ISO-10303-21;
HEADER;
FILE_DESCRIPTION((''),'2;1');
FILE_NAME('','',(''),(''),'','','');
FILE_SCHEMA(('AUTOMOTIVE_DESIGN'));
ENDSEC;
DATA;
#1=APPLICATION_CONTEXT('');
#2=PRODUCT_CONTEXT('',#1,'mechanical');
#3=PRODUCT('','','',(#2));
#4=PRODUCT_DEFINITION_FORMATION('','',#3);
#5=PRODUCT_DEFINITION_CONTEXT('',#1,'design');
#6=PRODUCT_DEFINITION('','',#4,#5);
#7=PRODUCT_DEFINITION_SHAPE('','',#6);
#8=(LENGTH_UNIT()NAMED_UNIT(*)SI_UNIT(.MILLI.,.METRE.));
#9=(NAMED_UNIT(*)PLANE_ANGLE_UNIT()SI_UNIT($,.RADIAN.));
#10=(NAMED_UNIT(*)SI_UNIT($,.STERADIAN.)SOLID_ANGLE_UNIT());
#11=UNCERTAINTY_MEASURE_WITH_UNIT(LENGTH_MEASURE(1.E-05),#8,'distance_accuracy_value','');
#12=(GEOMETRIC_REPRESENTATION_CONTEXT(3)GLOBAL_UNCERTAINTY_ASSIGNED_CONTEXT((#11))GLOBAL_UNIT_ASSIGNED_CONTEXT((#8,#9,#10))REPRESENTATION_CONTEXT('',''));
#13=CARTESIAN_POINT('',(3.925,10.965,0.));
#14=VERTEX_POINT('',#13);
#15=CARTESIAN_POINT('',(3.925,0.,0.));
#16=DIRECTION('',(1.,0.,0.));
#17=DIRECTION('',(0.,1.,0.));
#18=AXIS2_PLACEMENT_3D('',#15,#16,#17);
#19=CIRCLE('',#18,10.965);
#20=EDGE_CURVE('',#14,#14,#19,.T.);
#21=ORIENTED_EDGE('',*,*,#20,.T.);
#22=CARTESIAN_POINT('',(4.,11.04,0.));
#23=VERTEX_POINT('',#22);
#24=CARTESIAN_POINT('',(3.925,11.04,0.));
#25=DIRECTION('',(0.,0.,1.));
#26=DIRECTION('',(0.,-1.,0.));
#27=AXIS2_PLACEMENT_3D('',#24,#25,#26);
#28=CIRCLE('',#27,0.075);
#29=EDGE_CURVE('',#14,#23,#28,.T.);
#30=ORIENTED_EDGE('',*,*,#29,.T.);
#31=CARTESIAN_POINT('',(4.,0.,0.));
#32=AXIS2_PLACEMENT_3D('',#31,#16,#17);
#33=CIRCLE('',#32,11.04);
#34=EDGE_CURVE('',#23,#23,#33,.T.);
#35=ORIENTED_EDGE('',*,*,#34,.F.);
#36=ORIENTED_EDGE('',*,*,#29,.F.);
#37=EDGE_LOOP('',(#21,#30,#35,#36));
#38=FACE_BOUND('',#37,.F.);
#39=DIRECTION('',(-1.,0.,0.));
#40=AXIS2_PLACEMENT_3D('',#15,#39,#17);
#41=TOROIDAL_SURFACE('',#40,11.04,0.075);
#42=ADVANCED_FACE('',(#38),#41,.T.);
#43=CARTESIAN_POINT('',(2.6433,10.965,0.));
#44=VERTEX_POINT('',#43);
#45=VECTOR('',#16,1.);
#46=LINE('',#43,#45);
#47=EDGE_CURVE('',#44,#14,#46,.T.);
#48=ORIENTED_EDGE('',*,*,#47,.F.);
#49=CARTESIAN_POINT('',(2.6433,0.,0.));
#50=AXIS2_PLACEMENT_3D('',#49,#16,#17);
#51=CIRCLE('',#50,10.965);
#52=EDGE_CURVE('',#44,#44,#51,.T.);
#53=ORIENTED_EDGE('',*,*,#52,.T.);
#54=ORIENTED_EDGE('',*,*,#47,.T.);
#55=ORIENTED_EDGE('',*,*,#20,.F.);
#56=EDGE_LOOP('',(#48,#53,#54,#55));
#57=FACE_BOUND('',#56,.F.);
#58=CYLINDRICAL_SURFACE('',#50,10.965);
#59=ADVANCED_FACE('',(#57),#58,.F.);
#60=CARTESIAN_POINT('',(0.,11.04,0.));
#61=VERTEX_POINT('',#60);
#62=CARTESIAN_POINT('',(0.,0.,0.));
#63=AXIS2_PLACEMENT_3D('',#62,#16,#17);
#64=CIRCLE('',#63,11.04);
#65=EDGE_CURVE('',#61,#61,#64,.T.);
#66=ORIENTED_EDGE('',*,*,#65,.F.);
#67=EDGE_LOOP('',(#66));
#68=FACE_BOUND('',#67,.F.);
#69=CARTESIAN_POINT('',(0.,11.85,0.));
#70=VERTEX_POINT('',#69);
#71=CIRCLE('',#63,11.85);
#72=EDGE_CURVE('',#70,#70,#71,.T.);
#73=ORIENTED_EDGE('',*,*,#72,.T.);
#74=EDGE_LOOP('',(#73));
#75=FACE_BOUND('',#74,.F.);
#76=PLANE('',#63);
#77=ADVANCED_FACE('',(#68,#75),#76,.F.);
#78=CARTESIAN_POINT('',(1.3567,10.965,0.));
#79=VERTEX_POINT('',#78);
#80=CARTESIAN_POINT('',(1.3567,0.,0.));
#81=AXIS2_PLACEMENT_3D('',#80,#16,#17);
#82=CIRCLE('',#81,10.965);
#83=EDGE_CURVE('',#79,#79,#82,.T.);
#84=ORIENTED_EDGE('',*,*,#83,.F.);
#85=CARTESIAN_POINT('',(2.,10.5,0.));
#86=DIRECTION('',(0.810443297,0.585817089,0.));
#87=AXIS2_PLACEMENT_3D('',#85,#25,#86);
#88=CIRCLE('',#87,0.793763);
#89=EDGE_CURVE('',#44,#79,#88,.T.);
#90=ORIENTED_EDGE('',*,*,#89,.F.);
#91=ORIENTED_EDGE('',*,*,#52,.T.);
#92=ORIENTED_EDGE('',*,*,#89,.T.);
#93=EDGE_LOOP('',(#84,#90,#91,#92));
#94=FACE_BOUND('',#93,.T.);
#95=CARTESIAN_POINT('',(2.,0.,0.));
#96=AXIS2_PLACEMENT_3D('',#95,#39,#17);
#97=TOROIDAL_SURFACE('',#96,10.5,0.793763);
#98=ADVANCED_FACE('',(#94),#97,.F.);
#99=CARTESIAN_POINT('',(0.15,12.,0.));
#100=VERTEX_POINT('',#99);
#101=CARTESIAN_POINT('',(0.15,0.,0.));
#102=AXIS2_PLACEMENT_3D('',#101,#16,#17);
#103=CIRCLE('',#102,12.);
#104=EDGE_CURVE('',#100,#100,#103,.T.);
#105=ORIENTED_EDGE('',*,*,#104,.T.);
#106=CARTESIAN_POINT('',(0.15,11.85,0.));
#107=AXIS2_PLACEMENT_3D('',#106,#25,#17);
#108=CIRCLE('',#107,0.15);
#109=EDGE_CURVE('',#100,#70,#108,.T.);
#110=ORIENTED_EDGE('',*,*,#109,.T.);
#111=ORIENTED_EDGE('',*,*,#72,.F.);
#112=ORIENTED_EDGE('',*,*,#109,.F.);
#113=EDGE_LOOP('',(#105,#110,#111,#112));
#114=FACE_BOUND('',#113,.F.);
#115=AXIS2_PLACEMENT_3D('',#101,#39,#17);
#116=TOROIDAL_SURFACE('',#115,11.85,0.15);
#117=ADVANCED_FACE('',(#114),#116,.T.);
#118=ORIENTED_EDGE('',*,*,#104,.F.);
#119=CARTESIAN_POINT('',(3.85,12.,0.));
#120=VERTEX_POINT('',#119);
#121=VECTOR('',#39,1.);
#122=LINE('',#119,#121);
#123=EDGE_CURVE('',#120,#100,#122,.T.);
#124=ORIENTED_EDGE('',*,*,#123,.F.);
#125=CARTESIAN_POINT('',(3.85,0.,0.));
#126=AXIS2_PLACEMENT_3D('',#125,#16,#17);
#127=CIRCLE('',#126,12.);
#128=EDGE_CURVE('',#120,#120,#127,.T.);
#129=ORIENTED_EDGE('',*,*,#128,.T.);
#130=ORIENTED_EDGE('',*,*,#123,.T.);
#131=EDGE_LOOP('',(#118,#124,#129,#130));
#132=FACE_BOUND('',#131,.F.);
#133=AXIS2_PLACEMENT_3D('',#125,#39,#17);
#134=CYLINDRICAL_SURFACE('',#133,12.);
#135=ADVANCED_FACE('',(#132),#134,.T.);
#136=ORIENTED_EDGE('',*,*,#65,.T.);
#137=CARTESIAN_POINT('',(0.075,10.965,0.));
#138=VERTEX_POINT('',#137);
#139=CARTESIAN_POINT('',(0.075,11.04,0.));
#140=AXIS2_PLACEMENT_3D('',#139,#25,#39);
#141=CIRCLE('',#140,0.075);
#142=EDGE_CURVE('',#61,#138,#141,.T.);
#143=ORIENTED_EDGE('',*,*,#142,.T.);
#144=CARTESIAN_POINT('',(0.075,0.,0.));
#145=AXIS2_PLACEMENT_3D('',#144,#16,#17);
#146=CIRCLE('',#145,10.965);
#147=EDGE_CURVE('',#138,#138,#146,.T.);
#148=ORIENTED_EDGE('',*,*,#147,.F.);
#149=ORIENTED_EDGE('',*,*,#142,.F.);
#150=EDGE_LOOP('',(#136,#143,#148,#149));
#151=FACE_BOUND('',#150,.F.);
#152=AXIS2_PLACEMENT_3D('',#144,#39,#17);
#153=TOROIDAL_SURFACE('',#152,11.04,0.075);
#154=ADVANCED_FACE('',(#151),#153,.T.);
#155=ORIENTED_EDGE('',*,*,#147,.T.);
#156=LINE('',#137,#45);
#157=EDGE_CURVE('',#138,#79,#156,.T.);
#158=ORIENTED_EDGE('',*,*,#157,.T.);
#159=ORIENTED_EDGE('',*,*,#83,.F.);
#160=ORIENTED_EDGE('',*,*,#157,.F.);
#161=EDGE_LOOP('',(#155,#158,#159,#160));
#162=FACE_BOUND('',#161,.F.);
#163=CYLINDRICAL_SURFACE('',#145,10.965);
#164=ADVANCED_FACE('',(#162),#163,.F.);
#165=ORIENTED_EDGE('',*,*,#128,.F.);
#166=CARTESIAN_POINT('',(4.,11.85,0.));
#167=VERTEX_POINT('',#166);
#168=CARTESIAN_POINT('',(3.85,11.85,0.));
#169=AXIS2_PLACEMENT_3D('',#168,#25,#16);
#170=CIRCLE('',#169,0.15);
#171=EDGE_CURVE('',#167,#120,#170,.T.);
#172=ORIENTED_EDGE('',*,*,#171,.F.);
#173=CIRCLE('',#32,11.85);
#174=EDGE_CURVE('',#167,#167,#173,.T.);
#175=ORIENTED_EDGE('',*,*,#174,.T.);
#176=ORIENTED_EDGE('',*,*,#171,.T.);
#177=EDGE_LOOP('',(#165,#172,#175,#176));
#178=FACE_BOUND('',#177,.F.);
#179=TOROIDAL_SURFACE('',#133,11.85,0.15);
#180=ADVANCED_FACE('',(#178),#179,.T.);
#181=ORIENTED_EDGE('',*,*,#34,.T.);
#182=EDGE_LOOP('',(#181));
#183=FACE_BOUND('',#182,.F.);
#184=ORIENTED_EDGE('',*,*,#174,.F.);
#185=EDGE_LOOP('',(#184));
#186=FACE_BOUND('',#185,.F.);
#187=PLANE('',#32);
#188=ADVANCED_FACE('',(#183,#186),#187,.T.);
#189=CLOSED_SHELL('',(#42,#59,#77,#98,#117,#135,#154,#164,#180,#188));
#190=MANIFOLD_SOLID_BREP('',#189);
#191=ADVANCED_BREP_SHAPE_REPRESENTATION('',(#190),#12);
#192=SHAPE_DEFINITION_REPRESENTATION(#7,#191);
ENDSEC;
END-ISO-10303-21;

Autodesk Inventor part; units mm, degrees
sketch "Sketch_1" plane through (0, 0, 0) normal (0, 0, 1) x (1, 0, 0)
  line L0 (4, 0) -> (0, 0)
  line L1 (0, 11.85) -> (0, 11.04)
  arc A0 (0, 11.04) -> (0.075, 10.965) centre (0.075, 11.04) ccw
  line L2 (0.075, 10.965) -> (1.3567, 10.965)
  arc A1 (2.6433, 10.965) -> (1.3567, 10.965) centre (2, 10.5) ccw
  line L3 (2.6433, 10.965) -> (3.925, 10.965)
  arc A2 (3.925, 10.965) -> (4, 11.04) centre (3.925, 11.04) ccw
  line L4 (4, 11.04) -> (4, 11.85)
  arc A3 (4, 11.85) -> (3.85, 12) centre (3.85, 11.85) ccw
  line L5 (3.85, 12) -> (0.15, 12)
  arc A4 (0.15, 12) -> (0, 11.85) centre (0.15, 11.85) ccw
revolve "Revolution1" add sketch "Sketch_1" angle 360 about axis through (4, 0, 0) along (1, 0, 0)
ref_plane "1_XY" through (2, 0, 0) normal (1, 0, 0) x (0, 0, -1)
ref_plane "1_YZ" through (2, 0, 0) normal (0, 0, -1) x (0, 1, 0)
ref_plane "1_ZX" through (2, 0, 0) normal (0, 1, 0) x (1, 0, 0)
properties part number "A-2418_or"
